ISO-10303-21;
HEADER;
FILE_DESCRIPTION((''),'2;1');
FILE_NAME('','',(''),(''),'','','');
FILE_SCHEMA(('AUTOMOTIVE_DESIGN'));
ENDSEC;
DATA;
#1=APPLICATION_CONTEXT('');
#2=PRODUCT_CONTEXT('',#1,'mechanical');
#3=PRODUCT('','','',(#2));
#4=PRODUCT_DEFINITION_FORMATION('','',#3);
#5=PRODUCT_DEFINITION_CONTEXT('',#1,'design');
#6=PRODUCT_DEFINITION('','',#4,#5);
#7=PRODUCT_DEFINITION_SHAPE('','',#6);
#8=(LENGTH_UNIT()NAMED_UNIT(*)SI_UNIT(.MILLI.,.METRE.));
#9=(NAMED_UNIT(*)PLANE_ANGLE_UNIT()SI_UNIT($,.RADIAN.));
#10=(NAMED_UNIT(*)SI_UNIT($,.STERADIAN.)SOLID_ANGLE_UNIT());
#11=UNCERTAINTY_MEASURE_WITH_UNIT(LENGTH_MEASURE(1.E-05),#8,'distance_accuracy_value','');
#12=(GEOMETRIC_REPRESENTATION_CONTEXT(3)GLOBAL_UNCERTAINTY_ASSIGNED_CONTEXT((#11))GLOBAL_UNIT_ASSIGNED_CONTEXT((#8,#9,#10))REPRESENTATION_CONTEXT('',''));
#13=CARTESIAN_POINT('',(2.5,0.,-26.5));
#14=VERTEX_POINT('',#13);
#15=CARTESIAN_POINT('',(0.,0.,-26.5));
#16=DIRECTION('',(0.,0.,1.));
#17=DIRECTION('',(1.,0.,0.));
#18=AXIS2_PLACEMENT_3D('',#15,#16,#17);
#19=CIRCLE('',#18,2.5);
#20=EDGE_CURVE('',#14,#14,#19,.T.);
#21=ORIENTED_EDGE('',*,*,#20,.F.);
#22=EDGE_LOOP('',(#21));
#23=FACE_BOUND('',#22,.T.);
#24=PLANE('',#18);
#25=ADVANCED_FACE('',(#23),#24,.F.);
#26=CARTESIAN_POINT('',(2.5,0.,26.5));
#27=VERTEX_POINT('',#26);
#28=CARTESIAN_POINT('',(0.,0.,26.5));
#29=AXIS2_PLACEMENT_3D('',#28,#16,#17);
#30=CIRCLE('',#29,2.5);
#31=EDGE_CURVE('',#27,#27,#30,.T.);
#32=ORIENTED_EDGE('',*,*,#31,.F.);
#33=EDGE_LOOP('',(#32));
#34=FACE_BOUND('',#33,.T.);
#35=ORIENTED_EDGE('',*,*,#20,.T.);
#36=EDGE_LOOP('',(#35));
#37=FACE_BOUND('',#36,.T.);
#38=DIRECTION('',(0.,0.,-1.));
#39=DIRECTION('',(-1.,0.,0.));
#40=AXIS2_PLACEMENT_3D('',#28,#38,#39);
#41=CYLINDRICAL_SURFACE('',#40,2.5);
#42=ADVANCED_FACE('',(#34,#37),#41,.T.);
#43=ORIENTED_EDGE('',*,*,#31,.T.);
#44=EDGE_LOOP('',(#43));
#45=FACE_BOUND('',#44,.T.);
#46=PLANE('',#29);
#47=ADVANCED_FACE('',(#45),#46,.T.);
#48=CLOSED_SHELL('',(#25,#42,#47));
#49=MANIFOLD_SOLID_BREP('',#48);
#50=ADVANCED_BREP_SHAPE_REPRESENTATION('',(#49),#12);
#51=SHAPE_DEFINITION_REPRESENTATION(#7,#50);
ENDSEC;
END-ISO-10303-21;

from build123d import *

# Parameters (mm, degrees)
SKETCH1_R           = 2.5
BOSS_EXTRUDE1_DEPTH = 26.5


with BuildPart() as part:
    # Sketch1 → Boss-Extrude1 (new body, symmetric)
    with BuildSketch(Plane.XY):
        Circle(SKETCH1_R)
    extrude(amount=BOSS_EXTRUDE1_DEPTH, both=True)


solid = part.part
